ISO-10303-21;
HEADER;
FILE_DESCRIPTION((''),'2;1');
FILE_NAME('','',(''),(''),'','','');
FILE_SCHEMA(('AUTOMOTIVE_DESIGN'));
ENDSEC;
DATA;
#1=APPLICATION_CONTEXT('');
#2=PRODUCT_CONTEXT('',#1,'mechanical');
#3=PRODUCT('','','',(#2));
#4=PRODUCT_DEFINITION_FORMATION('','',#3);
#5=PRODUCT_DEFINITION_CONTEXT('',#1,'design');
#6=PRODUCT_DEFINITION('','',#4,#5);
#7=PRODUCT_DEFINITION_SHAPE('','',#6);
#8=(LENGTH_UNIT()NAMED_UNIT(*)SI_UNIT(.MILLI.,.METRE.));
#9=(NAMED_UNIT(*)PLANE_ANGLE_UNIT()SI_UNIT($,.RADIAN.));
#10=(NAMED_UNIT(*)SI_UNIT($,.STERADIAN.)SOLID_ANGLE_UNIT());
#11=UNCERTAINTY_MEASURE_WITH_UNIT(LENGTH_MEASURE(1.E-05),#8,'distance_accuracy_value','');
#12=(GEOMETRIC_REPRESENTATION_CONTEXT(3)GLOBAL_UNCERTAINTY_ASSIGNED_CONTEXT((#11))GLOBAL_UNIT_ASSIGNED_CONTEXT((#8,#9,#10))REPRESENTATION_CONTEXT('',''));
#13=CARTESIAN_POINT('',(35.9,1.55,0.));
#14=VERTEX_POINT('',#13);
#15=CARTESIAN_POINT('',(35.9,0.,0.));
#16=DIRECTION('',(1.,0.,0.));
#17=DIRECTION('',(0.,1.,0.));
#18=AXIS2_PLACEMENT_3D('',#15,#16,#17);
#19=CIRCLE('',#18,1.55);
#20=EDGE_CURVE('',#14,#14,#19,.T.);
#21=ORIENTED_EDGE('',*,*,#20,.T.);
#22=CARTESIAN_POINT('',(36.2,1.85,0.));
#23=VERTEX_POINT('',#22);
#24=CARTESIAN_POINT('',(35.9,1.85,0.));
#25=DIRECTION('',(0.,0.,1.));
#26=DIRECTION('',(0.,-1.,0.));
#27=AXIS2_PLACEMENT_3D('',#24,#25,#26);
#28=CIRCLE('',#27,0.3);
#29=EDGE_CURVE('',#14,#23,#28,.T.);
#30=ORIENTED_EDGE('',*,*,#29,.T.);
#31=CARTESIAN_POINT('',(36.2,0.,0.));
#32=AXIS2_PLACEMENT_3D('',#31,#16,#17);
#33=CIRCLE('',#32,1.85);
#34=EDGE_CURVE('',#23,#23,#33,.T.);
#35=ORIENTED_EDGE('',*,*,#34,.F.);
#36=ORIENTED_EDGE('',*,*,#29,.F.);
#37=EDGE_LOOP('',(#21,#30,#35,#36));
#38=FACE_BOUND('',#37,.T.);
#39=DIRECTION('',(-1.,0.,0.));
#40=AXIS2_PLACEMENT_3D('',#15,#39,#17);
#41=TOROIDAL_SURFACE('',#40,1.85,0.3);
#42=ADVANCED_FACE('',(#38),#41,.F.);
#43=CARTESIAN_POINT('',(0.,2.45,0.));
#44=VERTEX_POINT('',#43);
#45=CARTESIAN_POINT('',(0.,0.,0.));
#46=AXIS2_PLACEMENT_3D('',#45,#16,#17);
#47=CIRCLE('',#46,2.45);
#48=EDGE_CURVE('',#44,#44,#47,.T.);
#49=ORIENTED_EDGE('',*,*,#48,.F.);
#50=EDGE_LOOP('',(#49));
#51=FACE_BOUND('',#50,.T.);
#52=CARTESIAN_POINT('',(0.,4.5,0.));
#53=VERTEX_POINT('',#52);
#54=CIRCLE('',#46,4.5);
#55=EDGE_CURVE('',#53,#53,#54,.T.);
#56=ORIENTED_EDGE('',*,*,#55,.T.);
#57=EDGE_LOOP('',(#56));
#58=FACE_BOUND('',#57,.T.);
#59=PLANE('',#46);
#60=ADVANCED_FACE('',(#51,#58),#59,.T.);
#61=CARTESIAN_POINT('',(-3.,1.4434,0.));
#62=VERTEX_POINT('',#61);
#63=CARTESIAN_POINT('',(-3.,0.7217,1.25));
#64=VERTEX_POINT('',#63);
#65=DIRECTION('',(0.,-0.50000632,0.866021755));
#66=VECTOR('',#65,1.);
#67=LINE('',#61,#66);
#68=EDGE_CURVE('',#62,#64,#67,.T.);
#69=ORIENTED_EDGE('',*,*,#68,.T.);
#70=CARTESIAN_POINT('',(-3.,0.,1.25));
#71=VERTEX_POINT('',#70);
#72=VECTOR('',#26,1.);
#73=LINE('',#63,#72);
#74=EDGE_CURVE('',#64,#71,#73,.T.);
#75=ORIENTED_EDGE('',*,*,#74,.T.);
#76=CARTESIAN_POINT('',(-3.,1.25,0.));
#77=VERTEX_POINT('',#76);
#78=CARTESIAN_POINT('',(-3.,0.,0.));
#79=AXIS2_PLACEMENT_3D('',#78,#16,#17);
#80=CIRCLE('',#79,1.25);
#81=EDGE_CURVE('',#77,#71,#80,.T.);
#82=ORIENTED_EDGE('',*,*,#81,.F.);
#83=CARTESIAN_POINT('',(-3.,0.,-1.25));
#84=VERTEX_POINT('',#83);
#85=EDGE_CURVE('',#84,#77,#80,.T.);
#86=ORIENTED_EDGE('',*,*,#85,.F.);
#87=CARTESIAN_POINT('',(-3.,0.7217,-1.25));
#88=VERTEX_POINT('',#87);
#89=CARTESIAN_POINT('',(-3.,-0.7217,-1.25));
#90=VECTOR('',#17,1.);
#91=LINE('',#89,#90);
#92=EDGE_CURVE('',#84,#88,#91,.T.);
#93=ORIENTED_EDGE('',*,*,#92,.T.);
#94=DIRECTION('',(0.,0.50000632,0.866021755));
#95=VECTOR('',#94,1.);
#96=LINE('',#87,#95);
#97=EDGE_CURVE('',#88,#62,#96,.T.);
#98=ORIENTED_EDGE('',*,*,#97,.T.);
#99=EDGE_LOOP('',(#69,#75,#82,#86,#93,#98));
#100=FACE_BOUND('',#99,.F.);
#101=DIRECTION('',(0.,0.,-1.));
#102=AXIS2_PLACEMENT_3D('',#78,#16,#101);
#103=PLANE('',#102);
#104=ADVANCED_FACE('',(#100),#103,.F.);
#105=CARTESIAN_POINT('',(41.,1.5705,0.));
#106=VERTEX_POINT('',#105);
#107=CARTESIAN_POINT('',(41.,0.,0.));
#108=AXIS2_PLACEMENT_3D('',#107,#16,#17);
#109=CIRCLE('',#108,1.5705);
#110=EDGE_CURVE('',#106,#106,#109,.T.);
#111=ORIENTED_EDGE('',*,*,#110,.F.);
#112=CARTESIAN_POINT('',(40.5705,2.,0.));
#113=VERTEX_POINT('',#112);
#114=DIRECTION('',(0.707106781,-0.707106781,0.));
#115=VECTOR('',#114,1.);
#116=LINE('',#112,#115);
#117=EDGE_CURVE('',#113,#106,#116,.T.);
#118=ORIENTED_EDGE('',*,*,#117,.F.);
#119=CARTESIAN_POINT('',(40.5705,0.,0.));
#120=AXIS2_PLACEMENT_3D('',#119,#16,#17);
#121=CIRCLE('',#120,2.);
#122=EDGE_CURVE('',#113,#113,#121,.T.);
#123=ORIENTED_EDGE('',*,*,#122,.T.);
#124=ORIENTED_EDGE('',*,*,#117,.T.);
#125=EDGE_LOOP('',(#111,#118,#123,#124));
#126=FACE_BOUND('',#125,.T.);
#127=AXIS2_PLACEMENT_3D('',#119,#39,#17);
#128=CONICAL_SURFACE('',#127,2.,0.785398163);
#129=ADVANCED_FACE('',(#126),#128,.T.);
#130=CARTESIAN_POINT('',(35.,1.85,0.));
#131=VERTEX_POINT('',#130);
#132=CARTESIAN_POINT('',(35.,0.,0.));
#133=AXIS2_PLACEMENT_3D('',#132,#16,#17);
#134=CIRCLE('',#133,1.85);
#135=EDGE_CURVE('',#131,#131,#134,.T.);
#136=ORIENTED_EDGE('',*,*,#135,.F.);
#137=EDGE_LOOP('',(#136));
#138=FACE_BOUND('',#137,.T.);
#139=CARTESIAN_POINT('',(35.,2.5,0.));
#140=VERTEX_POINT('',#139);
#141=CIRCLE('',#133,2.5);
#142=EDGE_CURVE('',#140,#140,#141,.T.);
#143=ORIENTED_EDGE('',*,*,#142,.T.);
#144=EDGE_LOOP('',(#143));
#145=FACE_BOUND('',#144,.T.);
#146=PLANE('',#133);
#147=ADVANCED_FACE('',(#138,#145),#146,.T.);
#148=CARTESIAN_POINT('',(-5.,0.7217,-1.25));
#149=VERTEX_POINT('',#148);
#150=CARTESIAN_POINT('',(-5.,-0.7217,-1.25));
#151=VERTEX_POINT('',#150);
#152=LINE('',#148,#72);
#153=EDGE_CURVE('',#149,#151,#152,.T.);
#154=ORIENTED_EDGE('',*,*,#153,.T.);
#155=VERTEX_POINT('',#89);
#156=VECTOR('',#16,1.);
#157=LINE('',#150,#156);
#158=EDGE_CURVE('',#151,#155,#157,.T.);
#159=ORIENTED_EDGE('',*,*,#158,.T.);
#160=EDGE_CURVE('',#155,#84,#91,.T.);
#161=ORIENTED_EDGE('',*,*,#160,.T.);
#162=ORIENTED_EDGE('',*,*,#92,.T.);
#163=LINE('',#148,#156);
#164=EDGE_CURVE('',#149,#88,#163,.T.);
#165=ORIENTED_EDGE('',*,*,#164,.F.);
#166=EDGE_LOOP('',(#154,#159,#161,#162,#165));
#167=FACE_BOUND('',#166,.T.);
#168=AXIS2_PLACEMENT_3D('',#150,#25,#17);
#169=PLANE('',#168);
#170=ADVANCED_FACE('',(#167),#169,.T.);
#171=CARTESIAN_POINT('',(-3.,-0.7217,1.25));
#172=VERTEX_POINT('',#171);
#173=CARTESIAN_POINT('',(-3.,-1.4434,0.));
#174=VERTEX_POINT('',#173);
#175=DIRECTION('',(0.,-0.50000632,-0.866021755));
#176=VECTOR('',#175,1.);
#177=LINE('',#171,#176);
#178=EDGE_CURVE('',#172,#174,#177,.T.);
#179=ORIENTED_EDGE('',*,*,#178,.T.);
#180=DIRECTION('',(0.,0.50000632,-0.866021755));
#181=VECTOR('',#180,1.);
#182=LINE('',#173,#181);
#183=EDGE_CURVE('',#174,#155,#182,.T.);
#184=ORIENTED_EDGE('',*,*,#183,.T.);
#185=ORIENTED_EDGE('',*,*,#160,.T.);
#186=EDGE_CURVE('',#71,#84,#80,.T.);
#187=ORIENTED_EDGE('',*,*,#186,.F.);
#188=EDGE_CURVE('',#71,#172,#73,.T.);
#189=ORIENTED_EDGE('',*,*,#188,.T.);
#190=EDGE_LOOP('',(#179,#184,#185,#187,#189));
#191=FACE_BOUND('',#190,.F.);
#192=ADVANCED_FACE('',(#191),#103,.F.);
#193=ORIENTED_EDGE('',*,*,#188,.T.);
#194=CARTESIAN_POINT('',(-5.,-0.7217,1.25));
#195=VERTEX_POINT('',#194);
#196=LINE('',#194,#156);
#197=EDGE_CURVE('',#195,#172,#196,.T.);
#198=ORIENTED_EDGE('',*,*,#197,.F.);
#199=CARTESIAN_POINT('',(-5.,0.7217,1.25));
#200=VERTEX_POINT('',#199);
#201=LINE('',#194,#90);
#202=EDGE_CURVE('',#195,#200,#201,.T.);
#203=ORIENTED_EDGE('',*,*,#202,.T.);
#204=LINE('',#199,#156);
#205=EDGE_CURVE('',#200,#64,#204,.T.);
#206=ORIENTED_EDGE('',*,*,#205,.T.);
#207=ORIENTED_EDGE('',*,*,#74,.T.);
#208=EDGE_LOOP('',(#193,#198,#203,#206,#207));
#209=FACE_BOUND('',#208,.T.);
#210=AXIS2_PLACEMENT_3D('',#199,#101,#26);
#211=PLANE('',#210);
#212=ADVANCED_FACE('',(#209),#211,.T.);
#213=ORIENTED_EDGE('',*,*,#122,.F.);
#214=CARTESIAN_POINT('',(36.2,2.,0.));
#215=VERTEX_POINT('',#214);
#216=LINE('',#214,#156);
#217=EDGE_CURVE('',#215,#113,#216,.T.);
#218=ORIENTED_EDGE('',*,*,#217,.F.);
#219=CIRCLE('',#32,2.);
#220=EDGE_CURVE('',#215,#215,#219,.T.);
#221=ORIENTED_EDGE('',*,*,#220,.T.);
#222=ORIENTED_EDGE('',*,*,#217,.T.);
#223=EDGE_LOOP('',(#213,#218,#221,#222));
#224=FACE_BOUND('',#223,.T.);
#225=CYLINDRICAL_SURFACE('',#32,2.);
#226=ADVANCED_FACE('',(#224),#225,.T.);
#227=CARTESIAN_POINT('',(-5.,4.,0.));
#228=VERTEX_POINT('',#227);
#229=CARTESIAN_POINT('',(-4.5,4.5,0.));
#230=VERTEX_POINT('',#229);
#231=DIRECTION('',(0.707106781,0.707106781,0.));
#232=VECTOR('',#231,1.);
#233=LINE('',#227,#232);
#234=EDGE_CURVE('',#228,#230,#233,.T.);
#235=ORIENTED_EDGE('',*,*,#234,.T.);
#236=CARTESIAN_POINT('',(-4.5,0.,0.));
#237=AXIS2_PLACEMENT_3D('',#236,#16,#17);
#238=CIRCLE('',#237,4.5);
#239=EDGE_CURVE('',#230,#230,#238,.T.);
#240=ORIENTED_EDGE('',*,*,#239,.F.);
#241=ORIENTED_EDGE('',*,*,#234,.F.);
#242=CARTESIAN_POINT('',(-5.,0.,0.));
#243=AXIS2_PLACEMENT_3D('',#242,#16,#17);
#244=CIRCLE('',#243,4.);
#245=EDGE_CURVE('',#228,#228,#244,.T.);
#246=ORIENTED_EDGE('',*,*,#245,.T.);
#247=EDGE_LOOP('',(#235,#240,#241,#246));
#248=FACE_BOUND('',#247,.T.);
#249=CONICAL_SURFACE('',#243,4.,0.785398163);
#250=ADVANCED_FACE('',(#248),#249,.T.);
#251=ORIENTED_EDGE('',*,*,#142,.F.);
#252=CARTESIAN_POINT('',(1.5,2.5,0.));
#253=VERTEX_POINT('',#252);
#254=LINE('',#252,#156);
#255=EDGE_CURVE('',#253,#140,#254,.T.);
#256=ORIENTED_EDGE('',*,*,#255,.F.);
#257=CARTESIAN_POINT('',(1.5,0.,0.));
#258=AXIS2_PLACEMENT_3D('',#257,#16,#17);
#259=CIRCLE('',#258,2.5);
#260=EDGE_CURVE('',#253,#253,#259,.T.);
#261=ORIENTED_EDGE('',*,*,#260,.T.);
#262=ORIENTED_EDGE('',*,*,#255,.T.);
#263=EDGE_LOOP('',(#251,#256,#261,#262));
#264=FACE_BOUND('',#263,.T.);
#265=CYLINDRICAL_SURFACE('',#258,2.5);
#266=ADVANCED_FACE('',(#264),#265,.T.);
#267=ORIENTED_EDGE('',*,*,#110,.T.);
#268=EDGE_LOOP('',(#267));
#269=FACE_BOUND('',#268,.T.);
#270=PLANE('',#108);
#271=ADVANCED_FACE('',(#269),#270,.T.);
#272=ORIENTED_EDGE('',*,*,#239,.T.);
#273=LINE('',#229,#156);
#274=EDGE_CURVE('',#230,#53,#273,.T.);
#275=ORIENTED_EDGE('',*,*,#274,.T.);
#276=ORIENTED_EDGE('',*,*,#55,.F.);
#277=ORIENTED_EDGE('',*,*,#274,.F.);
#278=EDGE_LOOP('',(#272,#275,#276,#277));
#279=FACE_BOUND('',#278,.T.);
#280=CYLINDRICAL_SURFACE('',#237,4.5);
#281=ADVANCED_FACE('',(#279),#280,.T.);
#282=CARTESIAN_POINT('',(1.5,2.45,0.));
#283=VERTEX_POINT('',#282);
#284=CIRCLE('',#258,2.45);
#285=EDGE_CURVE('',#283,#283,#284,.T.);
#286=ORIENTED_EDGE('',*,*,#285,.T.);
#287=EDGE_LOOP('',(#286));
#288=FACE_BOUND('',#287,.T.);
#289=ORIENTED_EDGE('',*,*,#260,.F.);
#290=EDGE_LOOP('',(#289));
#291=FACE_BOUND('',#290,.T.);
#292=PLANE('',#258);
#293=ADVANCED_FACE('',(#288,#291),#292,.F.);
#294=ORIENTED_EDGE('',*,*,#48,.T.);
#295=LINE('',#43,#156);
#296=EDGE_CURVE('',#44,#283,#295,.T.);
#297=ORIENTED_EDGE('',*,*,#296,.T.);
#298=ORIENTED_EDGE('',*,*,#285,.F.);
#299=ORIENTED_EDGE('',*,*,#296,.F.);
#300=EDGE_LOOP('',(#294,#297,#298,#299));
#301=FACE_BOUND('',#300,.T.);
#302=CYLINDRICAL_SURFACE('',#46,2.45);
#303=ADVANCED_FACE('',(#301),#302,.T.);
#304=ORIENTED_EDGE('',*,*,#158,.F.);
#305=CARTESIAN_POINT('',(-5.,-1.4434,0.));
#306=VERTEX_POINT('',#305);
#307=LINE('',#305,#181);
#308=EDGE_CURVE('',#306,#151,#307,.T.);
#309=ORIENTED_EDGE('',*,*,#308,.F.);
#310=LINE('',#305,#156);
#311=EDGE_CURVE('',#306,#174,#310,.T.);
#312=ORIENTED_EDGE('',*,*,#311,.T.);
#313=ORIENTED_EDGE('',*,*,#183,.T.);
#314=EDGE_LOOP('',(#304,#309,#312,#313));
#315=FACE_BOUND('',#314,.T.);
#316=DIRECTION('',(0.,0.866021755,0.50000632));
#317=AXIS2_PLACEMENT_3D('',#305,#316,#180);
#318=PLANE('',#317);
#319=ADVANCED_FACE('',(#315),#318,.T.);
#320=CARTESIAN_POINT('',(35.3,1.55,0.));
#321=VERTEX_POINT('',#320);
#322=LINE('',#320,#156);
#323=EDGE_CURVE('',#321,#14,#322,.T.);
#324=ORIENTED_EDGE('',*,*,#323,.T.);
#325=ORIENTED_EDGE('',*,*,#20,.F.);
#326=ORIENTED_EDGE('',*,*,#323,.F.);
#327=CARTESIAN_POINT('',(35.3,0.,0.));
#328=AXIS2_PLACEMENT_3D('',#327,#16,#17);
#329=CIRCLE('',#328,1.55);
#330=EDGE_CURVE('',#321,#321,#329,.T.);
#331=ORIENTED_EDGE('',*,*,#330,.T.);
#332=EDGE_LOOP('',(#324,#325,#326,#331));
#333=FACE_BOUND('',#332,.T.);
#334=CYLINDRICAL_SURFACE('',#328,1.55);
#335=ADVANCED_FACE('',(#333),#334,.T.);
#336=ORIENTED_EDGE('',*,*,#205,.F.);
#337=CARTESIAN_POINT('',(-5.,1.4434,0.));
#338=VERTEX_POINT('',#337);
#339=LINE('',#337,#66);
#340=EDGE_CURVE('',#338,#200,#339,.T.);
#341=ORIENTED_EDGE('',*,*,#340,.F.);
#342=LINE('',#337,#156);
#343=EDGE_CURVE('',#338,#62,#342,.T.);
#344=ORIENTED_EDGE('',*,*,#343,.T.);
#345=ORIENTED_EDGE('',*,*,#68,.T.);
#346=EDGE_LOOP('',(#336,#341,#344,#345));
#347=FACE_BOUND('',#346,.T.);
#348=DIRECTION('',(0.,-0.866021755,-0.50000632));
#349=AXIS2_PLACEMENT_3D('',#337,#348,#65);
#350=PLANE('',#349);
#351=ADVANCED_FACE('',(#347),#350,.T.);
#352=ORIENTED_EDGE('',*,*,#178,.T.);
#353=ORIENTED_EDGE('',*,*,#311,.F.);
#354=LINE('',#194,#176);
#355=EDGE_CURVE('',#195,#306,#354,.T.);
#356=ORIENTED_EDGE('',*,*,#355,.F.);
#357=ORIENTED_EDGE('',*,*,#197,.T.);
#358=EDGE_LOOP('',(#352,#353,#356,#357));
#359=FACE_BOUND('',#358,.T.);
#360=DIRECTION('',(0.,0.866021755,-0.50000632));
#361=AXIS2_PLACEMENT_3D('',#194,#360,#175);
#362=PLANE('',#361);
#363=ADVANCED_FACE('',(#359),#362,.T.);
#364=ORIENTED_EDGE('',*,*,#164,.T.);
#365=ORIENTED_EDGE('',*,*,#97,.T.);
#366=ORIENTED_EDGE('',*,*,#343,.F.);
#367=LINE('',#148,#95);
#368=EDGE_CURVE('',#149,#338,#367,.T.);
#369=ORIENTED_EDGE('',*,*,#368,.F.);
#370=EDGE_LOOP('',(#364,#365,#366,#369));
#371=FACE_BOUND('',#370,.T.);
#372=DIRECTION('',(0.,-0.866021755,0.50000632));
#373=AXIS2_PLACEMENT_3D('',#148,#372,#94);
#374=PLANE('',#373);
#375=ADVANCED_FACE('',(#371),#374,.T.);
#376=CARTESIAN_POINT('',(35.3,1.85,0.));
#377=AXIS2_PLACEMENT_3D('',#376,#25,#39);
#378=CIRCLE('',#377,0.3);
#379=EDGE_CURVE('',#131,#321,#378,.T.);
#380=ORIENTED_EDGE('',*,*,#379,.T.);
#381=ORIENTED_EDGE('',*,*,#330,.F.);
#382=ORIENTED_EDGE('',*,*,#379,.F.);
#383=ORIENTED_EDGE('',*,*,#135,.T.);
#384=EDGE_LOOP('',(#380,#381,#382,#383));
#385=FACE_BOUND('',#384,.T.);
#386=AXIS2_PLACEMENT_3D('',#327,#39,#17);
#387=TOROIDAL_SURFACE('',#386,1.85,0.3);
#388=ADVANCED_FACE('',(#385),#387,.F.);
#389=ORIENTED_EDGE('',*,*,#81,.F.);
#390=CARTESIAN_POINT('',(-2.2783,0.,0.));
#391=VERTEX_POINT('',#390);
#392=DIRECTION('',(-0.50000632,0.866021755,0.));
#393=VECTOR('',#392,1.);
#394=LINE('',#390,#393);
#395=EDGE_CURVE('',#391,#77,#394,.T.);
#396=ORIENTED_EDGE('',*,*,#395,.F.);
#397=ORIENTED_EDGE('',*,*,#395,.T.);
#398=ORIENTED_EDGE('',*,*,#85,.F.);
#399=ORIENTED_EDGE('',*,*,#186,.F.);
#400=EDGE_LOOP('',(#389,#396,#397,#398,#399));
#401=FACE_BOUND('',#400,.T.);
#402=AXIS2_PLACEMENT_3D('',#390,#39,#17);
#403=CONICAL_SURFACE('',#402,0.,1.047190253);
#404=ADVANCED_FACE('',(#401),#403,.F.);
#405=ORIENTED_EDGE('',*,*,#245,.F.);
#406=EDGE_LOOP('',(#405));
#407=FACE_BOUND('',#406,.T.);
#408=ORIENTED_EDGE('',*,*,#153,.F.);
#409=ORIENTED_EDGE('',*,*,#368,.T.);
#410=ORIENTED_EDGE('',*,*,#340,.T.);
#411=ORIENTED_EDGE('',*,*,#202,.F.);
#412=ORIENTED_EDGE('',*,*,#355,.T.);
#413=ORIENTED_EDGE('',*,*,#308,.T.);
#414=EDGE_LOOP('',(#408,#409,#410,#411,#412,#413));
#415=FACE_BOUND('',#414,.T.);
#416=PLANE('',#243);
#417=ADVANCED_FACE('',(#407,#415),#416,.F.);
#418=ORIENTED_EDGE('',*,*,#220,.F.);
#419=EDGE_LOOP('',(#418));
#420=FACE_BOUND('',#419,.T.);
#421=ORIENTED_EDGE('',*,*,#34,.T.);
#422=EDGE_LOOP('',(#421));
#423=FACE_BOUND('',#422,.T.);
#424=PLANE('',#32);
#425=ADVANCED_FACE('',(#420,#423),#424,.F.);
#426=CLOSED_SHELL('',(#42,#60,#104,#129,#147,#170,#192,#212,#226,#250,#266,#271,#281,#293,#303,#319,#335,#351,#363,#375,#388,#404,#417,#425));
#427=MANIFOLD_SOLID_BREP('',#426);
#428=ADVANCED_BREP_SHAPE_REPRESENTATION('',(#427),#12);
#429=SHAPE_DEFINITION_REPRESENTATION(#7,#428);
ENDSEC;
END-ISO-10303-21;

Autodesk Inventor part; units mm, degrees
sketch "Sketch_1" plane through (0, 0, 0) normal (0, 0, 1) x (1, 0, 0)
  line L0 (41, 0) -> (-5, 0)
  line L1 (-2.2783, 0) -> (-3, 1.25)
  line L2 (-3, 1.25) -> (-5, 1.25)
  line L3 (-5, 1.25) -> (-5, 4)
  line L4 (-5, 4) -> (-4.5, 4.5)
  line L5 (-4.5, 4.5) -> (0, 4.5)
  line L6 (0, 4.5) -> (0, 2.45)
  line L7 (0, 2.45) -> (1.5, 2.45)
  line L8 (1.5, 2.45) -> (1.5, 2.5)
  line L9 (1.5, 2.5) -> (35, 2.5)
  line L10 (35, 2.5) -> (35, 1.85)
  arc A0 (35, 1.85) -> (35.3, 1.55) centre (35.3, 1.85) ccw
  line L11 (35.3, 1.55) -> (35.9, 1.55)
  arc A1 (35.9, 1.55) -> (36.2, 1.85) centre (35.9, 1.85) ccw
  line L12 (36.2, 1.85) -> (36.2, 2)
  line L13 (36.2, 2) -> (40.5705, 2)
  line L14 (40.5705, 2) -> (41, 1.5705)
  line L15 (41, 1.5705) -> (41, 0)
  line L16 (41, 0) -> (-2.2783, 0)
revolve "Revolution1" add sketch "Sketch_1" angle 360 about axis through (41, 0, 0) along (1, 0, 0)
thread "Thread1" size "M4x0.7" class "6g" standard "ISO Metric profile" full length
sketch "Sketch_2" plane through (-5, 0, 0) normal (1, 0, 0) x (0, 0, -1)
  line L0 (-1.25, -0.7217) -> (0, -1.4434)
  line L1 (0, -1.4434) -> (1.25, -0.7217)
  line L2 (1.25, -0.7217) -> (1.25, 0.7217)
  line L3 (1.25, 0.7217) -> (0, 1.4434)
  line L4 (0, 1.4434) -> (-1.25, 0.7217)
  line L5 (-1.25, 0.7217) -> (-1.25, -0.7217)
extrude "Extrusion1" cut sketch "Sketch_2" along normal blind 2
ref_plane "pin_to_nut_XY" through (36.7, 0, 0) normal (1, 0, 0) x (0, 0, -1)
ref_plane "pin_to_nut_YZ" through (36.7, 0, 0) normal (0, 0, -1) x (0, 1, 0)
ref_plane "pin_to_nut_ZX" through (36.7, 0, 0) normal (0, 1, 0) x (1, 0, 0)
properties part number "SCLBRU5-35.0_D"
